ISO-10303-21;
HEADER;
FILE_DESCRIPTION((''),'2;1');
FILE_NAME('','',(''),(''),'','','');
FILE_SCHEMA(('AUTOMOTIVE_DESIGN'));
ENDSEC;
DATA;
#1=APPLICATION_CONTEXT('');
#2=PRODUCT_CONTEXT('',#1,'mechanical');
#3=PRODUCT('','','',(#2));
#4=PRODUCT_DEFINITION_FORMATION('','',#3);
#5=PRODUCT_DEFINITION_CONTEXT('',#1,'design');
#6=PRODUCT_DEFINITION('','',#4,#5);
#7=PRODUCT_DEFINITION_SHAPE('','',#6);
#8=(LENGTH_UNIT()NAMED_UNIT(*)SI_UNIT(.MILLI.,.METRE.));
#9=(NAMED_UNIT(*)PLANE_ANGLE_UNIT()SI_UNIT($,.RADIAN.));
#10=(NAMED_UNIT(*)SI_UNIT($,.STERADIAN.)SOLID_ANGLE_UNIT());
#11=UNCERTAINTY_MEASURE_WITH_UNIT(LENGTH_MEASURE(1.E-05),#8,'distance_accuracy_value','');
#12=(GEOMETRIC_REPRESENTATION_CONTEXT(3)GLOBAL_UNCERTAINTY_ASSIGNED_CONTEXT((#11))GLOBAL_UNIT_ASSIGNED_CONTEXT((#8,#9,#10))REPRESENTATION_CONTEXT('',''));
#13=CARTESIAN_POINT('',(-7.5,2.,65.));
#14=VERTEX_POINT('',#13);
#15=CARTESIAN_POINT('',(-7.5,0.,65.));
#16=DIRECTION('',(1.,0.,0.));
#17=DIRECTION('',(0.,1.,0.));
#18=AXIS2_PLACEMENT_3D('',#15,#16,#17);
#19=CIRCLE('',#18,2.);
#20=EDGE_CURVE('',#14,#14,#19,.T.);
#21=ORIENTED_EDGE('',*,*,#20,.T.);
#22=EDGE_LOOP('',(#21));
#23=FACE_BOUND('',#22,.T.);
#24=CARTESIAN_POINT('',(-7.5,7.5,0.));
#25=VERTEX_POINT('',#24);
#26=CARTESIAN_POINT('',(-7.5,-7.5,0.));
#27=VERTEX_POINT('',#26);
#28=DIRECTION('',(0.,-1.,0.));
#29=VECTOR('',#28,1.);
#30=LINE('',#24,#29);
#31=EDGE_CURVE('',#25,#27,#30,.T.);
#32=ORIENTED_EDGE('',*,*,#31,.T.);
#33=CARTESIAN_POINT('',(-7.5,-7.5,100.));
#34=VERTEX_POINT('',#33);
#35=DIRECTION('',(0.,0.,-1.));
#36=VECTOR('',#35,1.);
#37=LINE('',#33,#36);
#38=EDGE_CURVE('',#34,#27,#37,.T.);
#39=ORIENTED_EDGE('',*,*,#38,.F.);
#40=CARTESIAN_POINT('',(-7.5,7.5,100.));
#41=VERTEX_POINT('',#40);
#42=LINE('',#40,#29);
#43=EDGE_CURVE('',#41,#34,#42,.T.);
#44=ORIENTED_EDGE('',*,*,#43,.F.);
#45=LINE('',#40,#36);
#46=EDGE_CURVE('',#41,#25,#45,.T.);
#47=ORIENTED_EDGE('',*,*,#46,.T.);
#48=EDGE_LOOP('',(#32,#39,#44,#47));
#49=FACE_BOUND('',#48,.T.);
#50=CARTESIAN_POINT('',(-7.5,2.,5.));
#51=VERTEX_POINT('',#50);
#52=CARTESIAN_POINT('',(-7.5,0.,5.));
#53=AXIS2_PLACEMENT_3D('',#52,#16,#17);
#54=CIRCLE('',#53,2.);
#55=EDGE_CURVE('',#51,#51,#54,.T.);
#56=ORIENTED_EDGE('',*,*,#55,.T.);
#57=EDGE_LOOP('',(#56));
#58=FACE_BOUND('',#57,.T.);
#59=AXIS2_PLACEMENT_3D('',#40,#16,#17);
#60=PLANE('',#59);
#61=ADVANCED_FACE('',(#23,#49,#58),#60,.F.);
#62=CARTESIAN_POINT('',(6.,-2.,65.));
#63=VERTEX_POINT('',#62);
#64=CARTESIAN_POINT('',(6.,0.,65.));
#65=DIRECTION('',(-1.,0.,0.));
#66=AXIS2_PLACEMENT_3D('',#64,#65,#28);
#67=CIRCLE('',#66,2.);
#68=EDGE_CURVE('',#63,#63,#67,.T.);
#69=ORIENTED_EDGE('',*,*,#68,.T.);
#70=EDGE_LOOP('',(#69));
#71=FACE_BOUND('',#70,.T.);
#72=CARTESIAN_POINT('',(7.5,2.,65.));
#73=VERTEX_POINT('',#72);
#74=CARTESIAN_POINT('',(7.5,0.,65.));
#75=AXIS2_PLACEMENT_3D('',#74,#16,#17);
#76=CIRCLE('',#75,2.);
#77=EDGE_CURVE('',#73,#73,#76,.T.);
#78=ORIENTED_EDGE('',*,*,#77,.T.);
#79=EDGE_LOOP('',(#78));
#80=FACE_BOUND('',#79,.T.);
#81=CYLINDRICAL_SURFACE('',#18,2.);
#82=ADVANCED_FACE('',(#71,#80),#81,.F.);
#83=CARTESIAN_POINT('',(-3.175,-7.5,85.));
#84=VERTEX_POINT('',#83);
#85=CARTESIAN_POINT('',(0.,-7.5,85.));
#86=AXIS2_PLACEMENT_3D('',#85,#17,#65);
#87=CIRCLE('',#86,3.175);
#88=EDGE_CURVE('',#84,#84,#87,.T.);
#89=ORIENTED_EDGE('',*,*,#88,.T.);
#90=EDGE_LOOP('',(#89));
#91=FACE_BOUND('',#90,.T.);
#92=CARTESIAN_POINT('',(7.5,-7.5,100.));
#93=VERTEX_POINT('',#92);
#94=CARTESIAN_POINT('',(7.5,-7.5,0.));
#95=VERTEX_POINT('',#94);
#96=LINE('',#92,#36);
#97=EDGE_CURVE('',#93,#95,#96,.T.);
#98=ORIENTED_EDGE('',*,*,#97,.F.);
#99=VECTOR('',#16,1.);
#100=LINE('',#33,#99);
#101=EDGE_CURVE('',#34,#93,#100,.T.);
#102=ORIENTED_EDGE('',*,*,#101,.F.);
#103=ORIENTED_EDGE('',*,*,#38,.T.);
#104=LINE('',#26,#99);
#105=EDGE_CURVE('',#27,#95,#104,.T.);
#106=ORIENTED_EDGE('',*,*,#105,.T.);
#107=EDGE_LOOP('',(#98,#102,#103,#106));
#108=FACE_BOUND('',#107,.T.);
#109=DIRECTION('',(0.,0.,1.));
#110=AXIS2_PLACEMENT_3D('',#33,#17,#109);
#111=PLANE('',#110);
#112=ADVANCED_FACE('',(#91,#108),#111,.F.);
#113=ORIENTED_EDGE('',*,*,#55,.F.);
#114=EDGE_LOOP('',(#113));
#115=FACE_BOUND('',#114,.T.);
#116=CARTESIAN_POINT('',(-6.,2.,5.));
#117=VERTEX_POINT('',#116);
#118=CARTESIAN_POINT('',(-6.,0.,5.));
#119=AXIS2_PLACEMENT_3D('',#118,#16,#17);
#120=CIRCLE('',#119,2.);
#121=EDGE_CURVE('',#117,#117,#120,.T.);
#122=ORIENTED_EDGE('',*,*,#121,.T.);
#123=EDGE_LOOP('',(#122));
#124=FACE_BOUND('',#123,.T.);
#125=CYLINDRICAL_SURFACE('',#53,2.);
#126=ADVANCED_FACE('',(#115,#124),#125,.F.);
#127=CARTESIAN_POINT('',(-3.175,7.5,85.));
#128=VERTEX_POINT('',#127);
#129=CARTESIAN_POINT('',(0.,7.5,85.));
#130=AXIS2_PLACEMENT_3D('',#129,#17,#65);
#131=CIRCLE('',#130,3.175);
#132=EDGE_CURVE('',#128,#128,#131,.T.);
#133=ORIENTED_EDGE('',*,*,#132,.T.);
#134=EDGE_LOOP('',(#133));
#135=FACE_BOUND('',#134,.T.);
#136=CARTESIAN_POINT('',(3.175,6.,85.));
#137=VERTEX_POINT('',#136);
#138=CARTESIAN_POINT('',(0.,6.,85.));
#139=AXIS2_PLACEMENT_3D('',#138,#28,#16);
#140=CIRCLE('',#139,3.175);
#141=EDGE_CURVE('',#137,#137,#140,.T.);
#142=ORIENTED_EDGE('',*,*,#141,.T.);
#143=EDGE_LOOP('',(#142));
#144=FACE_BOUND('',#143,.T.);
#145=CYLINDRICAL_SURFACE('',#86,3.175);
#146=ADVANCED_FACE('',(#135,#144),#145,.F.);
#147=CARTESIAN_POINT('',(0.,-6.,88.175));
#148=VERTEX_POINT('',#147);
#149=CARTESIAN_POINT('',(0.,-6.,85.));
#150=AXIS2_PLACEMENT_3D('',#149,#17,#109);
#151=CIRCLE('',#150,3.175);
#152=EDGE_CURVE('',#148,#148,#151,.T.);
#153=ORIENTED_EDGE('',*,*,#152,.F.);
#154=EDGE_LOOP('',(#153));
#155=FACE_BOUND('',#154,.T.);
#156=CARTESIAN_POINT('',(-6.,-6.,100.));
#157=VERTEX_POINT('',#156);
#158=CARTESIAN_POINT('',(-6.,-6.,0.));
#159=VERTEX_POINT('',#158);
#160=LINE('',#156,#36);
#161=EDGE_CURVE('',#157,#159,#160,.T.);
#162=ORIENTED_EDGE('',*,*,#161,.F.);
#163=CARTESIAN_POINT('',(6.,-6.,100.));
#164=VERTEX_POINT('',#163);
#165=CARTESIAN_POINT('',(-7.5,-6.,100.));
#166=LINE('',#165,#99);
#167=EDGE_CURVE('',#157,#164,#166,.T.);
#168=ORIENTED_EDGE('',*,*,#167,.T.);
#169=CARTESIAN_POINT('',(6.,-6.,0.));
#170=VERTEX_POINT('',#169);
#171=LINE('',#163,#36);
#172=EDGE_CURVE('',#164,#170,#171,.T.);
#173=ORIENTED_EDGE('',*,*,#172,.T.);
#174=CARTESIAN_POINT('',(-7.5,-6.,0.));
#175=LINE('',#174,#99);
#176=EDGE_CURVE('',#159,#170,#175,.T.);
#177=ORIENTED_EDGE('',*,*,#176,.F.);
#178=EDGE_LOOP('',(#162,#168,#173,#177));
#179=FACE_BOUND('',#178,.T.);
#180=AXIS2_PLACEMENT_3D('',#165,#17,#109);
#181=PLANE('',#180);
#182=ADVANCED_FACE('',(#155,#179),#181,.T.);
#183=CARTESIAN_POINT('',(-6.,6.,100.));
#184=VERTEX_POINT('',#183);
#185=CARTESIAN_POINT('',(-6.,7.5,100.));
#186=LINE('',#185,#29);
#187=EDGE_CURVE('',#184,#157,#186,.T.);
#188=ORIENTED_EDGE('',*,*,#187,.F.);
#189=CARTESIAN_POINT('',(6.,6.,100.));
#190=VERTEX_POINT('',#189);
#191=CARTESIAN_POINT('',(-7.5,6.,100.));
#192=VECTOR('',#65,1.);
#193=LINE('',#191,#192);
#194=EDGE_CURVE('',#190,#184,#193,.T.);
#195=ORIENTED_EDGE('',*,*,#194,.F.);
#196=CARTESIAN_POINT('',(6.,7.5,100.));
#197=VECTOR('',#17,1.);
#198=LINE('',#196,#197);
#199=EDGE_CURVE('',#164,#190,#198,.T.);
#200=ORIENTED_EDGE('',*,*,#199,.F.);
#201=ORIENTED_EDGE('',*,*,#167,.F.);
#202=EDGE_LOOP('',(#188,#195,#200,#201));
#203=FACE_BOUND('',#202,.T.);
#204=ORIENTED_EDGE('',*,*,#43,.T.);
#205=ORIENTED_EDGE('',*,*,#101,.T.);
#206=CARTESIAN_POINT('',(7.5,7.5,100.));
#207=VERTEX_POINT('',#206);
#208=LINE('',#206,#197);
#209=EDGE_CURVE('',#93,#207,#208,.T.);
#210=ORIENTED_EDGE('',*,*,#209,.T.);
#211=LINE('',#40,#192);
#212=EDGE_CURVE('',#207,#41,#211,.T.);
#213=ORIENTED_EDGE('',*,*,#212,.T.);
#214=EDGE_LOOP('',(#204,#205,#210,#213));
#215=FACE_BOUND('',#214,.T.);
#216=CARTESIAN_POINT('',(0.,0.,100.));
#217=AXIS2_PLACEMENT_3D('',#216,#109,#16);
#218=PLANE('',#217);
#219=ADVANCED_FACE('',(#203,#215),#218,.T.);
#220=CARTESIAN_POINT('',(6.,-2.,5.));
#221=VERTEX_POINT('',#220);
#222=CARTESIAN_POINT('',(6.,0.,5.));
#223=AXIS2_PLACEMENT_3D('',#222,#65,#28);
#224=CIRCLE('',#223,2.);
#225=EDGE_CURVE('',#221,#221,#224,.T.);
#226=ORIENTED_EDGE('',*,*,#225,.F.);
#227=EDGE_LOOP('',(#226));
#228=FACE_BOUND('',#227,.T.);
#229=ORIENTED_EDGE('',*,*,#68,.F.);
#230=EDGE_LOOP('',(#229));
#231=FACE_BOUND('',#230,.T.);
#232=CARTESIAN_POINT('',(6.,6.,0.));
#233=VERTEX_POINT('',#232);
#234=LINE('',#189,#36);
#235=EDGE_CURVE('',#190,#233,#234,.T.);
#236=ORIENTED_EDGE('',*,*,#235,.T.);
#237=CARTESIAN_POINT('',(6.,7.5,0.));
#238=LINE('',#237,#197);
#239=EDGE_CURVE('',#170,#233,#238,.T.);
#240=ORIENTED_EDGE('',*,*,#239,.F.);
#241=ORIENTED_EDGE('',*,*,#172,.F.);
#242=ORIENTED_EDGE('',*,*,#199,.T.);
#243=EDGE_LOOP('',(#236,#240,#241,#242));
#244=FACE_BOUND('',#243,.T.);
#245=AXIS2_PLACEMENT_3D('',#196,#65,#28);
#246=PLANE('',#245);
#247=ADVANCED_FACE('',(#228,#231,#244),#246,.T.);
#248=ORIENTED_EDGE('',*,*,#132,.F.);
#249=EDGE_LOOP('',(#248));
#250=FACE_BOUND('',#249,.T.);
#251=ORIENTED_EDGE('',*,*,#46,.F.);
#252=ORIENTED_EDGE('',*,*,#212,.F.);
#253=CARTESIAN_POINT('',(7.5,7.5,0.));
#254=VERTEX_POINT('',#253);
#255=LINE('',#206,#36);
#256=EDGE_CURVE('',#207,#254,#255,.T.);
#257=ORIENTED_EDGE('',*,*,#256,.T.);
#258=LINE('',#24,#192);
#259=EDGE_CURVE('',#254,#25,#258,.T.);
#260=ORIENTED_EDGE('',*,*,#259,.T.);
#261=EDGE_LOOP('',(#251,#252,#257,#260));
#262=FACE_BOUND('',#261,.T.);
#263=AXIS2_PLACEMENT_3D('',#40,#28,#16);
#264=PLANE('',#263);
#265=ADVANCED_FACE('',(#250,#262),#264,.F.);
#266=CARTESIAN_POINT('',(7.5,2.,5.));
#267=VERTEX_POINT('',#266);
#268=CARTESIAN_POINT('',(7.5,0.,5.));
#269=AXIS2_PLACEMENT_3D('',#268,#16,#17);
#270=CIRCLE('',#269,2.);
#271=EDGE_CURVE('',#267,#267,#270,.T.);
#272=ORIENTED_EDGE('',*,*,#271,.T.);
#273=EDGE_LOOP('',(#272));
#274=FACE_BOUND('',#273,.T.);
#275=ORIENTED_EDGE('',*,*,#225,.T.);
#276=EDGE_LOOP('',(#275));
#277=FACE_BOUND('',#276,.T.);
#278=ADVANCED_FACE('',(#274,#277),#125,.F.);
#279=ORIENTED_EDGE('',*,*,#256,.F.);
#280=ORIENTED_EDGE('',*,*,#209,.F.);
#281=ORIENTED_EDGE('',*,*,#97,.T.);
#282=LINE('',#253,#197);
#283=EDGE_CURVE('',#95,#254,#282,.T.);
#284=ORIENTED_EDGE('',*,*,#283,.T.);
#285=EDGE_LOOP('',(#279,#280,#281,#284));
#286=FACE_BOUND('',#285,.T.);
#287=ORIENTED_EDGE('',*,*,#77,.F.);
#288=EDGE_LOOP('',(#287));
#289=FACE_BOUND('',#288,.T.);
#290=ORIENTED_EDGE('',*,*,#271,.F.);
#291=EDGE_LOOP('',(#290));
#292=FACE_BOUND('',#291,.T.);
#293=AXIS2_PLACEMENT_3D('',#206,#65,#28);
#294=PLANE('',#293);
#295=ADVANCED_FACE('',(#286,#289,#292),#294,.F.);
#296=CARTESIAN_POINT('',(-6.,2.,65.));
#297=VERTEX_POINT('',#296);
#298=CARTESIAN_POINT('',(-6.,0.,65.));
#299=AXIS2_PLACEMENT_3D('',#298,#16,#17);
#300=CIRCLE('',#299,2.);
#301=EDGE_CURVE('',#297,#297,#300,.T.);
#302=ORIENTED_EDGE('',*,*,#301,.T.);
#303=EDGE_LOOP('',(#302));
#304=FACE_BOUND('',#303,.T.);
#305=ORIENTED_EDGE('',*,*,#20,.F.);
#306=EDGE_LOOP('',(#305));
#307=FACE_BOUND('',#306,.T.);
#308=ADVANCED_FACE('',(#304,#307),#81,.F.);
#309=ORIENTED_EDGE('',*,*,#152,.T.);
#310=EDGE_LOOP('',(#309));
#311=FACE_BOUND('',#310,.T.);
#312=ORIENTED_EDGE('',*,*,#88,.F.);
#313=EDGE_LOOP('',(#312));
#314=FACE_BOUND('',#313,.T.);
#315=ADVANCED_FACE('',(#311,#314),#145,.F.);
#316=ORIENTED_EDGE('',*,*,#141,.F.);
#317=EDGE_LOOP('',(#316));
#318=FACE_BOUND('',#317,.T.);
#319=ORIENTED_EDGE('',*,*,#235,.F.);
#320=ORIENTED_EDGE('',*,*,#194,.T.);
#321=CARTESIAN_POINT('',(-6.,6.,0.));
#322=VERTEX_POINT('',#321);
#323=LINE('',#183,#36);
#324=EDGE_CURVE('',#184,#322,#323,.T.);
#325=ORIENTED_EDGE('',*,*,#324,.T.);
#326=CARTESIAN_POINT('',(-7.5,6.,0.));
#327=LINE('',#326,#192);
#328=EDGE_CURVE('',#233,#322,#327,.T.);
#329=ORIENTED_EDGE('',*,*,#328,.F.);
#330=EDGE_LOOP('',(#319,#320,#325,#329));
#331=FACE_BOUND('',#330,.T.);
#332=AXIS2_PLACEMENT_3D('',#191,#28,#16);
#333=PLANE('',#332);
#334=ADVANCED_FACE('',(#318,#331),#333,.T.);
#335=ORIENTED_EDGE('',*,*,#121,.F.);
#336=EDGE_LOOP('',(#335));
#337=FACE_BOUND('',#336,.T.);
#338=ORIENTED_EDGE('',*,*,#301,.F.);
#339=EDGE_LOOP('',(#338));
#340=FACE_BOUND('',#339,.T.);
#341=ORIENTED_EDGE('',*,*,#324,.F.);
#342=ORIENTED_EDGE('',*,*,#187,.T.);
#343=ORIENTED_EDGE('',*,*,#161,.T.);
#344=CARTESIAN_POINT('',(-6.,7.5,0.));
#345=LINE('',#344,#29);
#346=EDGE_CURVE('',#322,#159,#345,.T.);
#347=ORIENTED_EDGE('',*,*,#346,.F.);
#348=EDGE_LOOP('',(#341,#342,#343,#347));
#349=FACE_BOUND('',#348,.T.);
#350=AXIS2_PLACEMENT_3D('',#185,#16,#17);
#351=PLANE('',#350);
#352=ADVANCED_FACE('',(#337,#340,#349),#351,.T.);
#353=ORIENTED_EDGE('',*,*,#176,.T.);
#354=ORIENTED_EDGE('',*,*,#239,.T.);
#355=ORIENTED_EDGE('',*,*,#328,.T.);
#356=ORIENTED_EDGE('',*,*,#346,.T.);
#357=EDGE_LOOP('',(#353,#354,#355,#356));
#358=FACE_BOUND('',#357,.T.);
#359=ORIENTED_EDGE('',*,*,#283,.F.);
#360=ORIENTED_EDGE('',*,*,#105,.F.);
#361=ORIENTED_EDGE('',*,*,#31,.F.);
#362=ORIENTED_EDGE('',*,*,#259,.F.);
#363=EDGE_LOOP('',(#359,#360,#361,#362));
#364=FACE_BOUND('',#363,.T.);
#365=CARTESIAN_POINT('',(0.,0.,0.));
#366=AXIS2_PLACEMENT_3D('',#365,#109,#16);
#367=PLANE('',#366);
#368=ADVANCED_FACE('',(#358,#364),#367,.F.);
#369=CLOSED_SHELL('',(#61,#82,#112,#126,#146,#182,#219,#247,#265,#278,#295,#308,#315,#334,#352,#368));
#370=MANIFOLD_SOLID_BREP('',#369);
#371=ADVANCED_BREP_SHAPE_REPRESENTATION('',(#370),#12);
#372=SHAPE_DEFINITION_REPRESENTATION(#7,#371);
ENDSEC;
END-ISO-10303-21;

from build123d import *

# Parameters (mm, degrees)
SKETCH_1_W          = 15
SKETCH_1_H          = 15
SKETCH_1_W_2        = 12
SKETCH_1_H_2        = 12
EXTRUDE_1_DEPTH     = 100
SKETCH_2_R          = 2
CUT_EXTRUDE_1_DEPTH = 102.396498953
SKETCH_3_R          = 3.175
CUT_EXTRUDE_2_DEPTH = 102.396498953


with BuildPart() as part:
    # ｽｹｯﾁ1 → 押し出し-薄板1 (new body)
    with BuildSketch(Plane.XY):
        Rectangle(SKETCH_1_W, SKETCH_1_H)
        Rectangle(SKETCH_1_W_2, SKETCH_1_H_2, mode=Mode.SUBTRACT)
    extrude(amount=EXTRUDE_1_DEPTH)

    # ｽｹｯﾁ2 → ｶｯﾄ - 押し出し1 (cut, through all)
    with BuildSketch(Plane(origin=(7.5, 0, 0), x_dir=(0, 0, -1), z_dir=(1, 0, 0))):
        with Locations(Location((-5, 0, 0), (0, 0, 90))):
            Circle(SKETCH_2_R)
        with Locations(Location((-65, 0, 0), (0, 0, 90))):
            Circle(SKETCH_2_R)
    extrude(amount=-CUT_EXTRUDE_1_DEPTH, mode=Mode.SUBTRACT)

    # ｽｹｯﾁ3 → ｶｯﾄ - 押し出し2 (cut, through all)
    with BuildSketch(Plane(origin=(0, 7.5, 0), x_dir=(1, 0, 0), z_dir=(0, 1, 0))):
        with Locations(Location((0, -85, 0), (0, 0, 180))):
            Circle(SKETCH_3_R)
    extrude(amount=-CUT_EXTRUDE_2_DEPTH, mode=Mode.SUBTRACT)


solid = part.part
